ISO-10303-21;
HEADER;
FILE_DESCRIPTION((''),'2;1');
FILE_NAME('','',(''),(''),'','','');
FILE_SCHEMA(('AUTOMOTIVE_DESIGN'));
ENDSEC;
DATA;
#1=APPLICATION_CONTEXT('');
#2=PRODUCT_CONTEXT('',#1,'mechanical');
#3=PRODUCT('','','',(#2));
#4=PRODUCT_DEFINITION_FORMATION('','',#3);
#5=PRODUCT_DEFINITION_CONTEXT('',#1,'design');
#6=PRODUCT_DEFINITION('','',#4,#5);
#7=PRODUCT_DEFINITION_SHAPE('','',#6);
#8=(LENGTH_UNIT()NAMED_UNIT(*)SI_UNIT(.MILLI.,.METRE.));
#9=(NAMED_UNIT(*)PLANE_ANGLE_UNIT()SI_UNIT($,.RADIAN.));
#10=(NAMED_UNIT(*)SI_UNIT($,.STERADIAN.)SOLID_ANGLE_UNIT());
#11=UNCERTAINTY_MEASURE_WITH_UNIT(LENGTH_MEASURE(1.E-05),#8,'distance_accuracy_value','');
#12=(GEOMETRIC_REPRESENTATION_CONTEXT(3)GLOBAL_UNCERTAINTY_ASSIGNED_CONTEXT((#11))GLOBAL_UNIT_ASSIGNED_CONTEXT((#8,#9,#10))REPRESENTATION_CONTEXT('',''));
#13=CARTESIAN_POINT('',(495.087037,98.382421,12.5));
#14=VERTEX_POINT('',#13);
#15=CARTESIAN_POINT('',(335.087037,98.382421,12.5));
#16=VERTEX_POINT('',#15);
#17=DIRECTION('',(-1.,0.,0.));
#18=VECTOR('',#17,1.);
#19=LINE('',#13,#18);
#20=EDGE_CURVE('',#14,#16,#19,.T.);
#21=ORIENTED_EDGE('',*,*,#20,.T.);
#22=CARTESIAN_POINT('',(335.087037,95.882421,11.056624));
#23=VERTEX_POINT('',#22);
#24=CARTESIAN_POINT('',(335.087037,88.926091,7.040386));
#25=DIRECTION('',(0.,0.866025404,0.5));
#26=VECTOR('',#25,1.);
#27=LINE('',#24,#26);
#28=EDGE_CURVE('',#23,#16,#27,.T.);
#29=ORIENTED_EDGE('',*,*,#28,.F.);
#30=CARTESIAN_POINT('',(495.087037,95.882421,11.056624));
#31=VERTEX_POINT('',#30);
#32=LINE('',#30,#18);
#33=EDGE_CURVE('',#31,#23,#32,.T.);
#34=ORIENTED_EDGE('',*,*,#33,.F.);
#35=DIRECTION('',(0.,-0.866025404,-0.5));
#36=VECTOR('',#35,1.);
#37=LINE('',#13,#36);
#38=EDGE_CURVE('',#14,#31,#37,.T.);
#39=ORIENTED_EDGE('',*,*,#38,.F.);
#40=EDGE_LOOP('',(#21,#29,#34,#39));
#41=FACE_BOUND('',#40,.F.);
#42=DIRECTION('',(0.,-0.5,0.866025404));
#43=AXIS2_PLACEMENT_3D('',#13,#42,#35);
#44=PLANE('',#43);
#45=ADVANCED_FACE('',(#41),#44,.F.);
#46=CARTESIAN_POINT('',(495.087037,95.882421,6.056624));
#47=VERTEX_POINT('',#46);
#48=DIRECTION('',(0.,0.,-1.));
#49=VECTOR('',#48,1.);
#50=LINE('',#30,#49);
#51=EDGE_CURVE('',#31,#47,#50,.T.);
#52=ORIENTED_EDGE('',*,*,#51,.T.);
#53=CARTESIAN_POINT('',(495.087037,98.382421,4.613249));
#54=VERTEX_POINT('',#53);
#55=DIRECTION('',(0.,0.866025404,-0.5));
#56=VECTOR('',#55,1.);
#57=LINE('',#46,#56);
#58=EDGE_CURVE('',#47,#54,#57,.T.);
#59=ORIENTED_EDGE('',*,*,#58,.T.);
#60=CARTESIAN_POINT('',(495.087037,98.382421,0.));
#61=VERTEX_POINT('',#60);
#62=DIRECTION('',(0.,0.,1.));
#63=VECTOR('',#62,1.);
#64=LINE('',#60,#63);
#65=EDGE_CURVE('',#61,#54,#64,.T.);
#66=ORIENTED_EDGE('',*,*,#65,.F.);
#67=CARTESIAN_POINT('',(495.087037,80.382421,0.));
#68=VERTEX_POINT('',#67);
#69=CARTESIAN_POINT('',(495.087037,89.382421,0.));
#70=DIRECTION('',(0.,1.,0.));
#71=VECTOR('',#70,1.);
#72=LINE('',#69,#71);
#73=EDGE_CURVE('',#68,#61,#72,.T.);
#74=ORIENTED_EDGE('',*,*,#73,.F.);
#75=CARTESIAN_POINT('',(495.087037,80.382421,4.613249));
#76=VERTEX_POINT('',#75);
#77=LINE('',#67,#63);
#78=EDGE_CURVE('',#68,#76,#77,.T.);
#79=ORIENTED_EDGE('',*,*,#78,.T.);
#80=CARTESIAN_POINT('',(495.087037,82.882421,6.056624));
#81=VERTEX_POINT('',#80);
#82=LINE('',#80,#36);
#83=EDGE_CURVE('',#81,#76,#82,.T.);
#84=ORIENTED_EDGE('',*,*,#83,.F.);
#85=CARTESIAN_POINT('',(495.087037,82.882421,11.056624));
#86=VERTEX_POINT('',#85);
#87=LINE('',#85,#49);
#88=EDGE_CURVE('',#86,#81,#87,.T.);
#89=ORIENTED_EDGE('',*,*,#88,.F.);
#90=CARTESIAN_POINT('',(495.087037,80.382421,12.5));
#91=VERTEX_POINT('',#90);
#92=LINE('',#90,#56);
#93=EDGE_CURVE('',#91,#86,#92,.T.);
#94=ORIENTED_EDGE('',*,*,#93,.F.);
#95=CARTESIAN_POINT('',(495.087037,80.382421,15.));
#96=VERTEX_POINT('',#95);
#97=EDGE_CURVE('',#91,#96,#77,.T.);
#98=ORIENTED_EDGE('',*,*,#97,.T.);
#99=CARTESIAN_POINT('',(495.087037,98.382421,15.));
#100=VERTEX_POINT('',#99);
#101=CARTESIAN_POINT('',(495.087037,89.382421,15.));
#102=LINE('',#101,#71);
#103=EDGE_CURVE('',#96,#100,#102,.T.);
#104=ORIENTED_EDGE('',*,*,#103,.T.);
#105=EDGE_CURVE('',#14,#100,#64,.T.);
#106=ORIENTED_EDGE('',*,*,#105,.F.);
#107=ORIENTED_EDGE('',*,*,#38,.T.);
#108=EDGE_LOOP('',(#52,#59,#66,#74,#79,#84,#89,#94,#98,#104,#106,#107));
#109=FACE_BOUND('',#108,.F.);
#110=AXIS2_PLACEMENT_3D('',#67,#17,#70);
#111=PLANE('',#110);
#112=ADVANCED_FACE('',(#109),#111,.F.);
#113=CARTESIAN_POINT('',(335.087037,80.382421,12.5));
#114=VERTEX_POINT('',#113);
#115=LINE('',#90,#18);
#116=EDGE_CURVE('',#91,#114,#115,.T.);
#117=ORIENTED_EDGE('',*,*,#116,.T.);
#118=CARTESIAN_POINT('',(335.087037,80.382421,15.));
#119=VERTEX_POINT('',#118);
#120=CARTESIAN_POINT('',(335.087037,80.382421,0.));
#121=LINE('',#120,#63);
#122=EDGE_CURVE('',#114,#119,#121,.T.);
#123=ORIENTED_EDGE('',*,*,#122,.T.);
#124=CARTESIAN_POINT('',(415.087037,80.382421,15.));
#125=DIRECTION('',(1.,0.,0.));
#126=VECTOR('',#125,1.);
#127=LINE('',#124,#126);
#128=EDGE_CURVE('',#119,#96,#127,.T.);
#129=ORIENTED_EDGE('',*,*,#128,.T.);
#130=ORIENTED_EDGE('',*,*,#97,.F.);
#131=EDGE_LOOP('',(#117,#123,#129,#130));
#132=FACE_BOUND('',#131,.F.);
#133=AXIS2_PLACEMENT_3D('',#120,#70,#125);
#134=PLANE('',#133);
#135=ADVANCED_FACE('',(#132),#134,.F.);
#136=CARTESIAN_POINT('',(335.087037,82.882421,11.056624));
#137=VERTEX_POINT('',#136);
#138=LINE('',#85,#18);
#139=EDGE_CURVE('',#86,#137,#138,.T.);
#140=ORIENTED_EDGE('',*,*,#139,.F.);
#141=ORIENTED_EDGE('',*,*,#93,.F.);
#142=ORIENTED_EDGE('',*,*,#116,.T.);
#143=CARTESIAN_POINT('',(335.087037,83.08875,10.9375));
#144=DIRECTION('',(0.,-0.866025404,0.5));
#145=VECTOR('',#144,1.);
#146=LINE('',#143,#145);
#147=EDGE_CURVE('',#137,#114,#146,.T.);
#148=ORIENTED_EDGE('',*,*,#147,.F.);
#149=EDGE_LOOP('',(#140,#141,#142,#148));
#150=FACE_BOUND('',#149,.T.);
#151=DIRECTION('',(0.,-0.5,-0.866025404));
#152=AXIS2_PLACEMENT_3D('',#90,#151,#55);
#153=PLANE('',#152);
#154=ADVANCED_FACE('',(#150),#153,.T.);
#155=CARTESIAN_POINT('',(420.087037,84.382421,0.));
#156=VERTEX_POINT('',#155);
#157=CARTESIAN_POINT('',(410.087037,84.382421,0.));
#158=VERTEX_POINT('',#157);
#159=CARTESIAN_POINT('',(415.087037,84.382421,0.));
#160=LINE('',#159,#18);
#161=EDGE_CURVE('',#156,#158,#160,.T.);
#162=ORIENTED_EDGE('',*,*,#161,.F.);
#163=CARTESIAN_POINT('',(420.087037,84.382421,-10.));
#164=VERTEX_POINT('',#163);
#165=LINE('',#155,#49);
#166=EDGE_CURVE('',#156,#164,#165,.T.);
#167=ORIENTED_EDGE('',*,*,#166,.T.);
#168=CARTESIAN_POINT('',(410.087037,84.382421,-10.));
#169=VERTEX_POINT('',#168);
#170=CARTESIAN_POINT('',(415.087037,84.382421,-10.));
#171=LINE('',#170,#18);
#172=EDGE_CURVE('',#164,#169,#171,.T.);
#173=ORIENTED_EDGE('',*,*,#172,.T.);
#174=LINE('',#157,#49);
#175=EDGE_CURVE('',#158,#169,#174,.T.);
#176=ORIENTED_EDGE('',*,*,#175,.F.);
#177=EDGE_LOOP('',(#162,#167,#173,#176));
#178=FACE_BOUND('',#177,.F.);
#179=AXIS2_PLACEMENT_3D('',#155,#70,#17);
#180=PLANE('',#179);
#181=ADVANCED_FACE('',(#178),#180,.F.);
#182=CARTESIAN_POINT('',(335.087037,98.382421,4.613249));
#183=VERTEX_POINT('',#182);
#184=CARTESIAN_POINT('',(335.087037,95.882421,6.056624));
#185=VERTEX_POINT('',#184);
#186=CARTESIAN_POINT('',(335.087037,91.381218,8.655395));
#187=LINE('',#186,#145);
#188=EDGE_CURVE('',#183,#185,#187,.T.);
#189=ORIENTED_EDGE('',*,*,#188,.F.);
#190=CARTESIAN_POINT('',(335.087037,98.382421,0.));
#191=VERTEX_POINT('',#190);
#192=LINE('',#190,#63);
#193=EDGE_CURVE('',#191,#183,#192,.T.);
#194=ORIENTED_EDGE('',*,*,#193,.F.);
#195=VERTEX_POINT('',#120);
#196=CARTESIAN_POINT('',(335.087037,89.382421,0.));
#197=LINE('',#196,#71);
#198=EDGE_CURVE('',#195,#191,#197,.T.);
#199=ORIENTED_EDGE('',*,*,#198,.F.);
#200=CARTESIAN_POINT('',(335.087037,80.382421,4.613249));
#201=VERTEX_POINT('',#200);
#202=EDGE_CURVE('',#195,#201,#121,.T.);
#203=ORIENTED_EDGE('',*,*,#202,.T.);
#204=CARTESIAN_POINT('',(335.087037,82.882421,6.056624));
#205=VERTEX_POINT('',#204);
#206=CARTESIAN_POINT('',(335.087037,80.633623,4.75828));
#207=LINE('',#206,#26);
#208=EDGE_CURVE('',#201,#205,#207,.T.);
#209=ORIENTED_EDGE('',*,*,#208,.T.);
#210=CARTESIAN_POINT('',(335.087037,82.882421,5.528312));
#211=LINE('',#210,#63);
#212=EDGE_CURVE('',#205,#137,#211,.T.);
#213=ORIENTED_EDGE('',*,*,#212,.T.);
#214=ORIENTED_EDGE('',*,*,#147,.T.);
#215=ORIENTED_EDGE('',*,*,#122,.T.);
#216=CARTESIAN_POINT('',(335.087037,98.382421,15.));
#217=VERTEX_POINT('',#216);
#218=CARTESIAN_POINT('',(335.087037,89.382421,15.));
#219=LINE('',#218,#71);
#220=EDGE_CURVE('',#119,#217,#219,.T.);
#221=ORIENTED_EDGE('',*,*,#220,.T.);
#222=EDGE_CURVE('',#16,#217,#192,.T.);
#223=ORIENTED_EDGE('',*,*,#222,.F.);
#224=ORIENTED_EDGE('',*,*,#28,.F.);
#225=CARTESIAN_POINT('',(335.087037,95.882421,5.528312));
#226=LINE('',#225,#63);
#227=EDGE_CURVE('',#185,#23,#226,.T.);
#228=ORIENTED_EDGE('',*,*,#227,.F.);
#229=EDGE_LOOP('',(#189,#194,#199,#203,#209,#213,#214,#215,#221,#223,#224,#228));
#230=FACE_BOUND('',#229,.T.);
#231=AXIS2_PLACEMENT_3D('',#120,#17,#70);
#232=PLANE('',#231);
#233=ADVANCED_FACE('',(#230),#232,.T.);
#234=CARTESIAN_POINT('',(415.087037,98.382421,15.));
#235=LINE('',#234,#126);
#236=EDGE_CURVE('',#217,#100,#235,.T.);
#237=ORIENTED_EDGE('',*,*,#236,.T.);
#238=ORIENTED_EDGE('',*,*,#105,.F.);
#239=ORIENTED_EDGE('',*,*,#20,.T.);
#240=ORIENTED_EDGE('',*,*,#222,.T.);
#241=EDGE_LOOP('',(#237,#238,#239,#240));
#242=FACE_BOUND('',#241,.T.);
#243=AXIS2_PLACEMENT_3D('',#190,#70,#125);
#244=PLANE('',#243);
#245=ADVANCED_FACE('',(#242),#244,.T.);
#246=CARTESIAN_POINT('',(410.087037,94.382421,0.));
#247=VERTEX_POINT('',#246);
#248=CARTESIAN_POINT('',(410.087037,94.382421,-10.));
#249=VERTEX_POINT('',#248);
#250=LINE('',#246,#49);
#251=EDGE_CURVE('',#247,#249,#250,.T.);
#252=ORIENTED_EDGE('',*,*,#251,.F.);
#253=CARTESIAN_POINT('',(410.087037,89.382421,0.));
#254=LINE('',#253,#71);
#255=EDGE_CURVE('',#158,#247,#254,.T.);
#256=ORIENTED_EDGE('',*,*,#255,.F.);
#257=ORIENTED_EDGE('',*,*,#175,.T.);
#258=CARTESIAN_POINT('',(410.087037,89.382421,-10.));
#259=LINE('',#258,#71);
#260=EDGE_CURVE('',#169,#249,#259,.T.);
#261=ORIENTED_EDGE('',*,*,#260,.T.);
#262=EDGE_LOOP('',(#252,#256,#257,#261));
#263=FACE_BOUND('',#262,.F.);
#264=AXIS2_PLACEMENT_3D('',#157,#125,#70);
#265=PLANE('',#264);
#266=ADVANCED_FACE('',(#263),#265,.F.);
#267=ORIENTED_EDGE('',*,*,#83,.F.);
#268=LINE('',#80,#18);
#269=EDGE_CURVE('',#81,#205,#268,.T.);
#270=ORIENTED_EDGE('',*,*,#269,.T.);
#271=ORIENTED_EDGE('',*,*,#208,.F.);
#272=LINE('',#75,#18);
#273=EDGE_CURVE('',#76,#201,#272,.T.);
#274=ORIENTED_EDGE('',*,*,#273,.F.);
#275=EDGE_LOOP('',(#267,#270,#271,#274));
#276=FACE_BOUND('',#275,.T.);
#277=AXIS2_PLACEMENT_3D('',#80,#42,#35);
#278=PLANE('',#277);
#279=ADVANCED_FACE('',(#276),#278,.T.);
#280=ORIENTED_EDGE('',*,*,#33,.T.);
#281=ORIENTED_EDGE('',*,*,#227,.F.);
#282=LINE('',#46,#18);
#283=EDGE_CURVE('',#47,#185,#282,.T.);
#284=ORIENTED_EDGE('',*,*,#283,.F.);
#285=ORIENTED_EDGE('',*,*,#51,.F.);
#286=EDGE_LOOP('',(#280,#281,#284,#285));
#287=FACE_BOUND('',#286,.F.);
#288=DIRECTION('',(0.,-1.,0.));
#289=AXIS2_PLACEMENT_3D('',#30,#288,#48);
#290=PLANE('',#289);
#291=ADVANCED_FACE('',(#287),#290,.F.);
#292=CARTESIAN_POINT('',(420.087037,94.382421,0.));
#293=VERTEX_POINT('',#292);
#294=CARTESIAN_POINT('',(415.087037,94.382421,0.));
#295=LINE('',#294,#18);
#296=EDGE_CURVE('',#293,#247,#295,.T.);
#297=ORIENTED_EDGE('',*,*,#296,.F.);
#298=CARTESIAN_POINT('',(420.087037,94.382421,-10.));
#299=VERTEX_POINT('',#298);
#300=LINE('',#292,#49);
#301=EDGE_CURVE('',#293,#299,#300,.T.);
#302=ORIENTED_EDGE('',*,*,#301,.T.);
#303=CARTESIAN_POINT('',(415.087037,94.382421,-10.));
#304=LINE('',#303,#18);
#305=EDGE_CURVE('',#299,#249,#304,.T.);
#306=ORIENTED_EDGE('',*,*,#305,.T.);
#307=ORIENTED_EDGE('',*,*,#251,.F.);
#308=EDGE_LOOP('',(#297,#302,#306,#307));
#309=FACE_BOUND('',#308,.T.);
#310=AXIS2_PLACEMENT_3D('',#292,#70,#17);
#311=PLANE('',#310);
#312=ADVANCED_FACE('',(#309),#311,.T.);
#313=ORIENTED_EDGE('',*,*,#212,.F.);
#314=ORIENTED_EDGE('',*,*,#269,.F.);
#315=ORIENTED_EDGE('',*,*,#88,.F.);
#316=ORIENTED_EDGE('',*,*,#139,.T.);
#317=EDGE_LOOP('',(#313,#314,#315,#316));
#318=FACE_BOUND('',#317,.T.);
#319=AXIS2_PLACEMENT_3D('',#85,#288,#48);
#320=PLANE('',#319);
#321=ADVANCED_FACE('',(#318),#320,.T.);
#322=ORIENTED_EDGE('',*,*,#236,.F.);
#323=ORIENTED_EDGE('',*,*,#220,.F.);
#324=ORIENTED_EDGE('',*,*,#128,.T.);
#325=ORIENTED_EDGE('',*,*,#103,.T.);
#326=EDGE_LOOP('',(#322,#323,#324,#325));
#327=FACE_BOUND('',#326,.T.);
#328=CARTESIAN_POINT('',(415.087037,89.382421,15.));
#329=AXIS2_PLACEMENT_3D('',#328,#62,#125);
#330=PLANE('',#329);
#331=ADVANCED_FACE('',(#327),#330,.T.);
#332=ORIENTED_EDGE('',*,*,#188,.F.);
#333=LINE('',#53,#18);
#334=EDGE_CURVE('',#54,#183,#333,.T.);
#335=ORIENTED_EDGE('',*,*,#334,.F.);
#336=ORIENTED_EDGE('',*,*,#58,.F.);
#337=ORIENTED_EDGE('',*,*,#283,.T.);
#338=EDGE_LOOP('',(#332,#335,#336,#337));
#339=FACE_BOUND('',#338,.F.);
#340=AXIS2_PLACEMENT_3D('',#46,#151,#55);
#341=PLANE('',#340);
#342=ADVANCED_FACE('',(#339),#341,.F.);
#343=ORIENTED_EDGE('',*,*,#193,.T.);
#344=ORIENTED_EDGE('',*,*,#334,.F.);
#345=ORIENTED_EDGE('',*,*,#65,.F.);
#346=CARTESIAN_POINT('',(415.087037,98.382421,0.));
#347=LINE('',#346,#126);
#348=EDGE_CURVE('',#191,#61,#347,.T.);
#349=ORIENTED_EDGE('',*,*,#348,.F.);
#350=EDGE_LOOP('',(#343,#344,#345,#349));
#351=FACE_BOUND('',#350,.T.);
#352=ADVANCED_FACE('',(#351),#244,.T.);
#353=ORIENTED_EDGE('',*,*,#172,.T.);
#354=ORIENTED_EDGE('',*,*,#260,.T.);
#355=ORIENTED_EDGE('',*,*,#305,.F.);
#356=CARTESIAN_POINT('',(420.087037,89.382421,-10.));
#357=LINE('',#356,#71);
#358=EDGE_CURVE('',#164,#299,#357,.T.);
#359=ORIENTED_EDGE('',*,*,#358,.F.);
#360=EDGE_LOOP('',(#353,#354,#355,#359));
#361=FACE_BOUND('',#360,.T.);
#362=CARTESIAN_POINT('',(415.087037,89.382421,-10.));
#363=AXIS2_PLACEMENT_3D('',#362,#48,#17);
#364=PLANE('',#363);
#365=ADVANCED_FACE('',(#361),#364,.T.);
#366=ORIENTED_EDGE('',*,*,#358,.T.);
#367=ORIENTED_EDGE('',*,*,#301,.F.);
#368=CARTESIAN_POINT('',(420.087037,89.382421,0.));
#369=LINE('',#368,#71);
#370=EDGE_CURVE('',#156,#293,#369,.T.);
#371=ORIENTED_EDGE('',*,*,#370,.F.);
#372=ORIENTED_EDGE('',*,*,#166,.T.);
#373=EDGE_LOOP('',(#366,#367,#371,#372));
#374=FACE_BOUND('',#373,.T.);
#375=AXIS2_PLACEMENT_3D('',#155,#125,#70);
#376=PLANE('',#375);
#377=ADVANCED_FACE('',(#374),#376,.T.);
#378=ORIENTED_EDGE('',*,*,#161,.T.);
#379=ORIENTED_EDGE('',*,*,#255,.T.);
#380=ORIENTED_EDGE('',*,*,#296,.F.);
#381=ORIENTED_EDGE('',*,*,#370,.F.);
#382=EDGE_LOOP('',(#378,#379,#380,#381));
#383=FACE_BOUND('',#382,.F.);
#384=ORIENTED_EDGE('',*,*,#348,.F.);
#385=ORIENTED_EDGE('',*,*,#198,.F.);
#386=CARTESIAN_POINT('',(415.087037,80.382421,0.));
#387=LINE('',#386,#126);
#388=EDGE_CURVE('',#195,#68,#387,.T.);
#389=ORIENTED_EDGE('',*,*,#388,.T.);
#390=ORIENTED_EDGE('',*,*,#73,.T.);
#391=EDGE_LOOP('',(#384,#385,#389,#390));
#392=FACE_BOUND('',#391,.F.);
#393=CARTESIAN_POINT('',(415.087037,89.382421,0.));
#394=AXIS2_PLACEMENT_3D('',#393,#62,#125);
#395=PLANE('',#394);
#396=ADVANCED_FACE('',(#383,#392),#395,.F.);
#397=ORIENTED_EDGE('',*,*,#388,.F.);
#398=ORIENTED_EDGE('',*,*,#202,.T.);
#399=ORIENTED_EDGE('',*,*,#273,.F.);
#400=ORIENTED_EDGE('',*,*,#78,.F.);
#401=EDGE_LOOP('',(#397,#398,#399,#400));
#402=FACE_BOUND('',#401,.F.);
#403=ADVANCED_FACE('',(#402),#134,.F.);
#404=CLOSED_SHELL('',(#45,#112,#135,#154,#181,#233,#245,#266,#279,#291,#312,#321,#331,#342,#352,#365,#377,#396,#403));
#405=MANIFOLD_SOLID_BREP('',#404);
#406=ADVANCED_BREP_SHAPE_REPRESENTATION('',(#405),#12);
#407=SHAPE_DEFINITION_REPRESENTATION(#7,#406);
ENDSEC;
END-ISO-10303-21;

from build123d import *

# Parameters (mm, degrees)
SKETCH1_W           = 160
SKETCH1_H           = 18
BOSS_EXTRUDE1_DEPTH = 15
CUT_EXTRUDE1_DEPTH  = 161
SKETCH3_W           = 10
SKETCH3_H           = 10
BOSS_EXTRUDE2_DEPTH = 10


with BuildPart() as part:
    # Sketch1 → Boss-Extrude1 (new body)
    with BuildSketch(Plane.XY):
        with Locations((415.087037167, 89.382420628)):
            Rectangle(SKETCH1_W, SKETCH1_H)
    extrude(amount=BOSS_EXTRUDE1_DEPTH)

    # Sketch2 → Cut-Extrude1 (cut, through all)
    with BuildSketch(Plane(origin=(495.087037167, 0, 0), x_dir=(0, 0, -1), z_dir=(1, 0, 0))):
        Polygon((-12.5, 98.382420628), (-11.056624327, 95.882420628), (-6.056624327, 95.882420628), (-4.613248654, 98.382420628), align=None)
        Polygon((-4.613248654, 80.382420628), (-12.5, 80.382420628), (-11.056624327, 82.882420628), (-6.056624327, 82.882420628), align=None)
    extrude(amount=-CUT_EXTRUDE1_DEPTH, mode=Mode.SUBTRACT)

    # Sketch3 → Boss-Extrude2 (add)
    with BuildSketch(Plane(origin=(0, 0, 0), x_dir=(-1, 0, 0), z_dir=(0, 0, -1))):
        with Locations((-415.087037167, 89.382420628)):
            Rectangle(SKETCH3_W, SKETCH3_H)
    extrude(amount=BOSS_EXTRUDE2_DEPTH)


solid = part.part
